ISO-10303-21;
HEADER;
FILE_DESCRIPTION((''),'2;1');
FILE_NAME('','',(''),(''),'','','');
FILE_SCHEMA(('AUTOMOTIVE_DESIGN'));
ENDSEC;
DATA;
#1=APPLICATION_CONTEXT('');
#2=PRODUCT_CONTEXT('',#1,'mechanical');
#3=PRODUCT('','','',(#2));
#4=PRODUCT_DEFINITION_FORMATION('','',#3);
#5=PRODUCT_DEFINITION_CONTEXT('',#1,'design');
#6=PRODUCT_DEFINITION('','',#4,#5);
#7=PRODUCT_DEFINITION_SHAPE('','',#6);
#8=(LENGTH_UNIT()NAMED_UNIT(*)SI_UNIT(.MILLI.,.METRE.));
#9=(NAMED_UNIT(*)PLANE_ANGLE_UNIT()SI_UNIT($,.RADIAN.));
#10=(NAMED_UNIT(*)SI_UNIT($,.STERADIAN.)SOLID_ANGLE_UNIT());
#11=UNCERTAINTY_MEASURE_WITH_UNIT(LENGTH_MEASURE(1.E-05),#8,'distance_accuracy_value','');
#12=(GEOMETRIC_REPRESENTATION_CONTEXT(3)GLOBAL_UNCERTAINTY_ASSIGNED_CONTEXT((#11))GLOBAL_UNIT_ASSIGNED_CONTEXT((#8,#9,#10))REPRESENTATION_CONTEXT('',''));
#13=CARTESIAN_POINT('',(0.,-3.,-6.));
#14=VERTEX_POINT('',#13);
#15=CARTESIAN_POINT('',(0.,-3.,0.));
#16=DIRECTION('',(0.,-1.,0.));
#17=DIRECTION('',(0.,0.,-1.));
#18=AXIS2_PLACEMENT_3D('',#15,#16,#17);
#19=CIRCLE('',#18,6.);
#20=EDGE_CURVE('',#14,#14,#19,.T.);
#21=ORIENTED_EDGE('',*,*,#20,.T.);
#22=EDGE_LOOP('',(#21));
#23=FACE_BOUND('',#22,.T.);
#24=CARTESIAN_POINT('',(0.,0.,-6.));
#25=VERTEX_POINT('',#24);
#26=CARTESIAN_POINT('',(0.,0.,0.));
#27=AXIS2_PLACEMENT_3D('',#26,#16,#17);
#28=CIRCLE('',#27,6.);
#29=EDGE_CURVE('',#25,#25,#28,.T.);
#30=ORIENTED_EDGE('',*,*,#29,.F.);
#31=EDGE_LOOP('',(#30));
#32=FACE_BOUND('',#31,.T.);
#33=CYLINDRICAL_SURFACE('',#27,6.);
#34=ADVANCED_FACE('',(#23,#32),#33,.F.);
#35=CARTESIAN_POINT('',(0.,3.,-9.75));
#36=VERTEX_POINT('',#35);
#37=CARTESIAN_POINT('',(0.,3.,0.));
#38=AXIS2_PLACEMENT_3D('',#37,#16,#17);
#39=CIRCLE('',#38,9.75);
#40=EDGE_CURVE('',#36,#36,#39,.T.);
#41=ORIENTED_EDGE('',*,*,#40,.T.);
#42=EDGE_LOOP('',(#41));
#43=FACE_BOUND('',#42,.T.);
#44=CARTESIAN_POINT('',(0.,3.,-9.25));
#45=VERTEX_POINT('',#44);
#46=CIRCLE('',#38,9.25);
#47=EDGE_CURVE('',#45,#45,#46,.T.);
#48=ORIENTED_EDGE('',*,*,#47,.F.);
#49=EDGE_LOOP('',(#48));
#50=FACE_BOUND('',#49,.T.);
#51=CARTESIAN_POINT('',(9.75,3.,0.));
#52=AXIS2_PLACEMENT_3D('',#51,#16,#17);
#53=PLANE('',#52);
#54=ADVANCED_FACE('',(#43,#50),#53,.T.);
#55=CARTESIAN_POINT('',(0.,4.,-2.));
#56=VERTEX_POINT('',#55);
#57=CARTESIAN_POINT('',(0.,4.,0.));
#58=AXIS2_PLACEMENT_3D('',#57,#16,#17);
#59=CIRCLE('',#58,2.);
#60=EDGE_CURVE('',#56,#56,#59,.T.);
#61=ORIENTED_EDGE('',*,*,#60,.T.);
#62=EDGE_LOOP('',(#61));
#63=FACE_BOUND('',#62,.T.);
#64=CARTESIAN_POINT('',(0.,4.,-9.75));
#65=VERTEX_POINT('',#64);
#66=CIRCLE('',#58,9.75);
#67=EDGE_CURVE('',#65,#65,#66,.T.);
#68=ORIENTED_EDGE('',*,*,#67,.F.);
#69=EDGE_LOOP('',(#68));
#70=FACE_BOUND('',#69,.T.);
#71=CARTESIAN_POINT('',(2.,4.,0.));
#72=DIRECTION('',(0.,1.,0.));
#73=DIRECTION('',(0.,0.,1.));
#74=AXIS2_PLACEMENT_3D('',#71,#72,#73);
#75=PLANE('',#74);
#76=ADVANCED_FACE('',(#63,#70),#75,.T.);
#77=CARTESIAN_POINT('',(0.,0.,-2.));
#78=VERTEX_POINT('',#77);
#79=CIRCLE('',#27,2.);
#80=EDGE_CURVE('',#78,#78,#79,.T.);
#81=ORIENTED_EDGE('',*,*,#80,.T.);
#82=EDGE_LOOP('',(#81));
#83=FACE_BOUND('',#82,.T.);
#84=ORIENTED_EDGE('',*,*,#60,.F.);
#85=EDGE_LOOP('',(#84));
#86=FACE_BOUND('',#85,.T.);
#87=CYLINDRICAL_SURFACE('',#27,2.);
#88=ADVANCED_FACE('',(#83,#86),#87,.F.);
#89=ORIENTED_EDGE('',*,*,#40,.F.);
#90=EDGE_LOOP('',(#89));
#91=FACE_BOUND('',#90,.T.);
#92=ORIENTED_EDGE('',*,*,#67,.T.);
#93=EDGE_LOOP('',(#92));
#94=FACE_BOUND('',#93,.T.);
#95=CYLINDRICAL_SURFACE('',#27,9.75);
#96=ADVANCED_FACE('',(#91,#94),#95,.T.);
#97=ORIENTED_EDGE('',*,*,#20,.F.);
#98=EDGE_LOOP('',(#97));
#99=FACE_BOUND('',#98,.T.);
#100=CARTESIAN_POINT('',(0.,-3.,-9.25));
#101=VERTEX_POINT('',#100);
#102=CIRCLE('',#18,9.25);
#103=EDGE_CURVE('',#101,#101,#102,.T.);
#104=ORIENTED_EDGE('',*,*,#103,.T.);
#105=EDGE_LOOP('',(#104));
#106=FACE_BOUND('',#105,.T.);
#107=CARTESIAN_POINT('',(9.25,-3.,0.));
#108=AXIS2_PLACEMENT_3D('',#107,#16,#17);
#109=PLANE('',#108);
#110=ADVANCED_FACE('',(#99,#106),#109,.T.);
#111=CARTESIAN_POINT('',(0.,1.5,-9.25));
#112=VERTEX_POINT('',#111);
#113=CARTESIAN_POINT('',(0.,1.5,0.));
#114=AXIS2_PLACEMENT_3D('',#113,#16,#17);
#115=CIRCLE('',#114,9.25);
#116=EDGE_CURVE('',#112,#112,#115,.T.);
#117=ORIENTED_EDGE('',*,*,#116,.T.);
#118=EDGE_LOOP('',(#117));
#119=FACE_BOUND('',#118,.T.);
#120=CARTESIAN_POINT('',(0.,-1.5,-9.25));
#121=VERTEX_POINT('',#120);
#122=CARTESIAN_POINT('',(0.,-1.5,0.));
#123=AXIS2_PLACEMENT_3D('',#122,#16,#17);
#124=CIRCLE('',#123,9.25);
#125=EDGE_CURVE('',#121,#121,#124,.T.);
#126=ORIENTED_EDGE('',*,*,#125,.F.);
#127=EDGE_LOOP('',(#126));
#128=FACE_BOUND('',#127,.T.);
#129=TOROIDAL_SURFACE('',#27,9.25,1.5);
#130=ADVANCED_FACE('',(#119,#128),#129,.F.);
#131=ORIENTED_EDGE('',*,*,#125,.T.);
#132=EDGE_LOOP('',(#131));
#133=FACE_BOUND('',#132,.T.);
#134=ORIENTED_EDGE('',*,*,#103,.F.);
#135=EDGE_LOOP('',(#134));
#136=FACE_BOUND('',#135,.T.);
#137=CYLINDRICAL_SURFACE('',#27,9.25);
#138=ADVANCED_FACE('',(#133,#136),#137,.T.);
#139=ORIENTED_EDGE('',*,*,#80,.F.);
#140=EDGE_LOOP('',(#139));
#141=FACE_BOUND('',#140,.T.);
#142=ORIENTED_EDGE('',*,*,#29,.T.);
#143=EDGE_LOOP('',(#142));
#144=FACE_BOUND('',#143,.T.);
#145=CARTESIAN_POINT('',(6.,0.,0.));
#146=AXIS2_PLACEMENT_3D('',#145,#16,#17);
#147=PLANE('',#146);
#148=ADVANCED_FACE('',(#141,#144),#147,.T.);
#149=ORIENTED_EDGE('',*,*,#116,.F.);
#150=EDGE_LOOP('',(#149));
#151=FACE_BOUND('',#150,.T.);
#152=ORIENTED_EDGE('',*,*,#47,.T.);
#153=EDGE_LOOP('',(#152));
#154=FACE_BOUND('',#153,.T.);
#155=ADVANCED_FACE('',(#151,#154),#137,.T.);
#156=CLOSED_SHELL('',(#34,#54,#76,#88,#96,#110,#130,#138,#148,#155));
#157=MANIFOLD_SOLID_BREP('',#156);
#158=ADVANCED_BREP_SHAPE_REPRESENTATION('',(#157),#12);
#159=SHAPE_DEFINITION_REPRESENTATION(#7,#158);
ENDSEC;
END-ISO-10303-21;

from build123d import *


with BuildPart() as part:
    # Sketch3 → Revolve2 (revolve)
    with BuildSketch(Plane.XY, mode=Mode.PRIVATE) as revolve2_sk:
        with BuildLine():
            Line((2, 0), (2, 4))
            Line((2, 4), (9.75, 4))
            Line((9.75, 4), (9.75, 3))
            Line((9.75, 3), (9.25, 3))
            Line((9.25, 3), (9.25, 1.5))
            ThreePointArc((9.25, 1.5), (7.75, 0), (9.25, -1.5))
            Line((9.25, -1.5), (9.25, -3))
            Line((9.25, -3), (6, -3))
            Line((6, -3), (6, 0))
            Line((6, 0), (2, 0))
        make_face()
    revolve(revolve2_sk.sketch.rotate(Axis((0, 0, 0), (0, 1, 0)), 90), axis=Axis((0, 0, 0), (0, 1, 0)))


solid = part.part
